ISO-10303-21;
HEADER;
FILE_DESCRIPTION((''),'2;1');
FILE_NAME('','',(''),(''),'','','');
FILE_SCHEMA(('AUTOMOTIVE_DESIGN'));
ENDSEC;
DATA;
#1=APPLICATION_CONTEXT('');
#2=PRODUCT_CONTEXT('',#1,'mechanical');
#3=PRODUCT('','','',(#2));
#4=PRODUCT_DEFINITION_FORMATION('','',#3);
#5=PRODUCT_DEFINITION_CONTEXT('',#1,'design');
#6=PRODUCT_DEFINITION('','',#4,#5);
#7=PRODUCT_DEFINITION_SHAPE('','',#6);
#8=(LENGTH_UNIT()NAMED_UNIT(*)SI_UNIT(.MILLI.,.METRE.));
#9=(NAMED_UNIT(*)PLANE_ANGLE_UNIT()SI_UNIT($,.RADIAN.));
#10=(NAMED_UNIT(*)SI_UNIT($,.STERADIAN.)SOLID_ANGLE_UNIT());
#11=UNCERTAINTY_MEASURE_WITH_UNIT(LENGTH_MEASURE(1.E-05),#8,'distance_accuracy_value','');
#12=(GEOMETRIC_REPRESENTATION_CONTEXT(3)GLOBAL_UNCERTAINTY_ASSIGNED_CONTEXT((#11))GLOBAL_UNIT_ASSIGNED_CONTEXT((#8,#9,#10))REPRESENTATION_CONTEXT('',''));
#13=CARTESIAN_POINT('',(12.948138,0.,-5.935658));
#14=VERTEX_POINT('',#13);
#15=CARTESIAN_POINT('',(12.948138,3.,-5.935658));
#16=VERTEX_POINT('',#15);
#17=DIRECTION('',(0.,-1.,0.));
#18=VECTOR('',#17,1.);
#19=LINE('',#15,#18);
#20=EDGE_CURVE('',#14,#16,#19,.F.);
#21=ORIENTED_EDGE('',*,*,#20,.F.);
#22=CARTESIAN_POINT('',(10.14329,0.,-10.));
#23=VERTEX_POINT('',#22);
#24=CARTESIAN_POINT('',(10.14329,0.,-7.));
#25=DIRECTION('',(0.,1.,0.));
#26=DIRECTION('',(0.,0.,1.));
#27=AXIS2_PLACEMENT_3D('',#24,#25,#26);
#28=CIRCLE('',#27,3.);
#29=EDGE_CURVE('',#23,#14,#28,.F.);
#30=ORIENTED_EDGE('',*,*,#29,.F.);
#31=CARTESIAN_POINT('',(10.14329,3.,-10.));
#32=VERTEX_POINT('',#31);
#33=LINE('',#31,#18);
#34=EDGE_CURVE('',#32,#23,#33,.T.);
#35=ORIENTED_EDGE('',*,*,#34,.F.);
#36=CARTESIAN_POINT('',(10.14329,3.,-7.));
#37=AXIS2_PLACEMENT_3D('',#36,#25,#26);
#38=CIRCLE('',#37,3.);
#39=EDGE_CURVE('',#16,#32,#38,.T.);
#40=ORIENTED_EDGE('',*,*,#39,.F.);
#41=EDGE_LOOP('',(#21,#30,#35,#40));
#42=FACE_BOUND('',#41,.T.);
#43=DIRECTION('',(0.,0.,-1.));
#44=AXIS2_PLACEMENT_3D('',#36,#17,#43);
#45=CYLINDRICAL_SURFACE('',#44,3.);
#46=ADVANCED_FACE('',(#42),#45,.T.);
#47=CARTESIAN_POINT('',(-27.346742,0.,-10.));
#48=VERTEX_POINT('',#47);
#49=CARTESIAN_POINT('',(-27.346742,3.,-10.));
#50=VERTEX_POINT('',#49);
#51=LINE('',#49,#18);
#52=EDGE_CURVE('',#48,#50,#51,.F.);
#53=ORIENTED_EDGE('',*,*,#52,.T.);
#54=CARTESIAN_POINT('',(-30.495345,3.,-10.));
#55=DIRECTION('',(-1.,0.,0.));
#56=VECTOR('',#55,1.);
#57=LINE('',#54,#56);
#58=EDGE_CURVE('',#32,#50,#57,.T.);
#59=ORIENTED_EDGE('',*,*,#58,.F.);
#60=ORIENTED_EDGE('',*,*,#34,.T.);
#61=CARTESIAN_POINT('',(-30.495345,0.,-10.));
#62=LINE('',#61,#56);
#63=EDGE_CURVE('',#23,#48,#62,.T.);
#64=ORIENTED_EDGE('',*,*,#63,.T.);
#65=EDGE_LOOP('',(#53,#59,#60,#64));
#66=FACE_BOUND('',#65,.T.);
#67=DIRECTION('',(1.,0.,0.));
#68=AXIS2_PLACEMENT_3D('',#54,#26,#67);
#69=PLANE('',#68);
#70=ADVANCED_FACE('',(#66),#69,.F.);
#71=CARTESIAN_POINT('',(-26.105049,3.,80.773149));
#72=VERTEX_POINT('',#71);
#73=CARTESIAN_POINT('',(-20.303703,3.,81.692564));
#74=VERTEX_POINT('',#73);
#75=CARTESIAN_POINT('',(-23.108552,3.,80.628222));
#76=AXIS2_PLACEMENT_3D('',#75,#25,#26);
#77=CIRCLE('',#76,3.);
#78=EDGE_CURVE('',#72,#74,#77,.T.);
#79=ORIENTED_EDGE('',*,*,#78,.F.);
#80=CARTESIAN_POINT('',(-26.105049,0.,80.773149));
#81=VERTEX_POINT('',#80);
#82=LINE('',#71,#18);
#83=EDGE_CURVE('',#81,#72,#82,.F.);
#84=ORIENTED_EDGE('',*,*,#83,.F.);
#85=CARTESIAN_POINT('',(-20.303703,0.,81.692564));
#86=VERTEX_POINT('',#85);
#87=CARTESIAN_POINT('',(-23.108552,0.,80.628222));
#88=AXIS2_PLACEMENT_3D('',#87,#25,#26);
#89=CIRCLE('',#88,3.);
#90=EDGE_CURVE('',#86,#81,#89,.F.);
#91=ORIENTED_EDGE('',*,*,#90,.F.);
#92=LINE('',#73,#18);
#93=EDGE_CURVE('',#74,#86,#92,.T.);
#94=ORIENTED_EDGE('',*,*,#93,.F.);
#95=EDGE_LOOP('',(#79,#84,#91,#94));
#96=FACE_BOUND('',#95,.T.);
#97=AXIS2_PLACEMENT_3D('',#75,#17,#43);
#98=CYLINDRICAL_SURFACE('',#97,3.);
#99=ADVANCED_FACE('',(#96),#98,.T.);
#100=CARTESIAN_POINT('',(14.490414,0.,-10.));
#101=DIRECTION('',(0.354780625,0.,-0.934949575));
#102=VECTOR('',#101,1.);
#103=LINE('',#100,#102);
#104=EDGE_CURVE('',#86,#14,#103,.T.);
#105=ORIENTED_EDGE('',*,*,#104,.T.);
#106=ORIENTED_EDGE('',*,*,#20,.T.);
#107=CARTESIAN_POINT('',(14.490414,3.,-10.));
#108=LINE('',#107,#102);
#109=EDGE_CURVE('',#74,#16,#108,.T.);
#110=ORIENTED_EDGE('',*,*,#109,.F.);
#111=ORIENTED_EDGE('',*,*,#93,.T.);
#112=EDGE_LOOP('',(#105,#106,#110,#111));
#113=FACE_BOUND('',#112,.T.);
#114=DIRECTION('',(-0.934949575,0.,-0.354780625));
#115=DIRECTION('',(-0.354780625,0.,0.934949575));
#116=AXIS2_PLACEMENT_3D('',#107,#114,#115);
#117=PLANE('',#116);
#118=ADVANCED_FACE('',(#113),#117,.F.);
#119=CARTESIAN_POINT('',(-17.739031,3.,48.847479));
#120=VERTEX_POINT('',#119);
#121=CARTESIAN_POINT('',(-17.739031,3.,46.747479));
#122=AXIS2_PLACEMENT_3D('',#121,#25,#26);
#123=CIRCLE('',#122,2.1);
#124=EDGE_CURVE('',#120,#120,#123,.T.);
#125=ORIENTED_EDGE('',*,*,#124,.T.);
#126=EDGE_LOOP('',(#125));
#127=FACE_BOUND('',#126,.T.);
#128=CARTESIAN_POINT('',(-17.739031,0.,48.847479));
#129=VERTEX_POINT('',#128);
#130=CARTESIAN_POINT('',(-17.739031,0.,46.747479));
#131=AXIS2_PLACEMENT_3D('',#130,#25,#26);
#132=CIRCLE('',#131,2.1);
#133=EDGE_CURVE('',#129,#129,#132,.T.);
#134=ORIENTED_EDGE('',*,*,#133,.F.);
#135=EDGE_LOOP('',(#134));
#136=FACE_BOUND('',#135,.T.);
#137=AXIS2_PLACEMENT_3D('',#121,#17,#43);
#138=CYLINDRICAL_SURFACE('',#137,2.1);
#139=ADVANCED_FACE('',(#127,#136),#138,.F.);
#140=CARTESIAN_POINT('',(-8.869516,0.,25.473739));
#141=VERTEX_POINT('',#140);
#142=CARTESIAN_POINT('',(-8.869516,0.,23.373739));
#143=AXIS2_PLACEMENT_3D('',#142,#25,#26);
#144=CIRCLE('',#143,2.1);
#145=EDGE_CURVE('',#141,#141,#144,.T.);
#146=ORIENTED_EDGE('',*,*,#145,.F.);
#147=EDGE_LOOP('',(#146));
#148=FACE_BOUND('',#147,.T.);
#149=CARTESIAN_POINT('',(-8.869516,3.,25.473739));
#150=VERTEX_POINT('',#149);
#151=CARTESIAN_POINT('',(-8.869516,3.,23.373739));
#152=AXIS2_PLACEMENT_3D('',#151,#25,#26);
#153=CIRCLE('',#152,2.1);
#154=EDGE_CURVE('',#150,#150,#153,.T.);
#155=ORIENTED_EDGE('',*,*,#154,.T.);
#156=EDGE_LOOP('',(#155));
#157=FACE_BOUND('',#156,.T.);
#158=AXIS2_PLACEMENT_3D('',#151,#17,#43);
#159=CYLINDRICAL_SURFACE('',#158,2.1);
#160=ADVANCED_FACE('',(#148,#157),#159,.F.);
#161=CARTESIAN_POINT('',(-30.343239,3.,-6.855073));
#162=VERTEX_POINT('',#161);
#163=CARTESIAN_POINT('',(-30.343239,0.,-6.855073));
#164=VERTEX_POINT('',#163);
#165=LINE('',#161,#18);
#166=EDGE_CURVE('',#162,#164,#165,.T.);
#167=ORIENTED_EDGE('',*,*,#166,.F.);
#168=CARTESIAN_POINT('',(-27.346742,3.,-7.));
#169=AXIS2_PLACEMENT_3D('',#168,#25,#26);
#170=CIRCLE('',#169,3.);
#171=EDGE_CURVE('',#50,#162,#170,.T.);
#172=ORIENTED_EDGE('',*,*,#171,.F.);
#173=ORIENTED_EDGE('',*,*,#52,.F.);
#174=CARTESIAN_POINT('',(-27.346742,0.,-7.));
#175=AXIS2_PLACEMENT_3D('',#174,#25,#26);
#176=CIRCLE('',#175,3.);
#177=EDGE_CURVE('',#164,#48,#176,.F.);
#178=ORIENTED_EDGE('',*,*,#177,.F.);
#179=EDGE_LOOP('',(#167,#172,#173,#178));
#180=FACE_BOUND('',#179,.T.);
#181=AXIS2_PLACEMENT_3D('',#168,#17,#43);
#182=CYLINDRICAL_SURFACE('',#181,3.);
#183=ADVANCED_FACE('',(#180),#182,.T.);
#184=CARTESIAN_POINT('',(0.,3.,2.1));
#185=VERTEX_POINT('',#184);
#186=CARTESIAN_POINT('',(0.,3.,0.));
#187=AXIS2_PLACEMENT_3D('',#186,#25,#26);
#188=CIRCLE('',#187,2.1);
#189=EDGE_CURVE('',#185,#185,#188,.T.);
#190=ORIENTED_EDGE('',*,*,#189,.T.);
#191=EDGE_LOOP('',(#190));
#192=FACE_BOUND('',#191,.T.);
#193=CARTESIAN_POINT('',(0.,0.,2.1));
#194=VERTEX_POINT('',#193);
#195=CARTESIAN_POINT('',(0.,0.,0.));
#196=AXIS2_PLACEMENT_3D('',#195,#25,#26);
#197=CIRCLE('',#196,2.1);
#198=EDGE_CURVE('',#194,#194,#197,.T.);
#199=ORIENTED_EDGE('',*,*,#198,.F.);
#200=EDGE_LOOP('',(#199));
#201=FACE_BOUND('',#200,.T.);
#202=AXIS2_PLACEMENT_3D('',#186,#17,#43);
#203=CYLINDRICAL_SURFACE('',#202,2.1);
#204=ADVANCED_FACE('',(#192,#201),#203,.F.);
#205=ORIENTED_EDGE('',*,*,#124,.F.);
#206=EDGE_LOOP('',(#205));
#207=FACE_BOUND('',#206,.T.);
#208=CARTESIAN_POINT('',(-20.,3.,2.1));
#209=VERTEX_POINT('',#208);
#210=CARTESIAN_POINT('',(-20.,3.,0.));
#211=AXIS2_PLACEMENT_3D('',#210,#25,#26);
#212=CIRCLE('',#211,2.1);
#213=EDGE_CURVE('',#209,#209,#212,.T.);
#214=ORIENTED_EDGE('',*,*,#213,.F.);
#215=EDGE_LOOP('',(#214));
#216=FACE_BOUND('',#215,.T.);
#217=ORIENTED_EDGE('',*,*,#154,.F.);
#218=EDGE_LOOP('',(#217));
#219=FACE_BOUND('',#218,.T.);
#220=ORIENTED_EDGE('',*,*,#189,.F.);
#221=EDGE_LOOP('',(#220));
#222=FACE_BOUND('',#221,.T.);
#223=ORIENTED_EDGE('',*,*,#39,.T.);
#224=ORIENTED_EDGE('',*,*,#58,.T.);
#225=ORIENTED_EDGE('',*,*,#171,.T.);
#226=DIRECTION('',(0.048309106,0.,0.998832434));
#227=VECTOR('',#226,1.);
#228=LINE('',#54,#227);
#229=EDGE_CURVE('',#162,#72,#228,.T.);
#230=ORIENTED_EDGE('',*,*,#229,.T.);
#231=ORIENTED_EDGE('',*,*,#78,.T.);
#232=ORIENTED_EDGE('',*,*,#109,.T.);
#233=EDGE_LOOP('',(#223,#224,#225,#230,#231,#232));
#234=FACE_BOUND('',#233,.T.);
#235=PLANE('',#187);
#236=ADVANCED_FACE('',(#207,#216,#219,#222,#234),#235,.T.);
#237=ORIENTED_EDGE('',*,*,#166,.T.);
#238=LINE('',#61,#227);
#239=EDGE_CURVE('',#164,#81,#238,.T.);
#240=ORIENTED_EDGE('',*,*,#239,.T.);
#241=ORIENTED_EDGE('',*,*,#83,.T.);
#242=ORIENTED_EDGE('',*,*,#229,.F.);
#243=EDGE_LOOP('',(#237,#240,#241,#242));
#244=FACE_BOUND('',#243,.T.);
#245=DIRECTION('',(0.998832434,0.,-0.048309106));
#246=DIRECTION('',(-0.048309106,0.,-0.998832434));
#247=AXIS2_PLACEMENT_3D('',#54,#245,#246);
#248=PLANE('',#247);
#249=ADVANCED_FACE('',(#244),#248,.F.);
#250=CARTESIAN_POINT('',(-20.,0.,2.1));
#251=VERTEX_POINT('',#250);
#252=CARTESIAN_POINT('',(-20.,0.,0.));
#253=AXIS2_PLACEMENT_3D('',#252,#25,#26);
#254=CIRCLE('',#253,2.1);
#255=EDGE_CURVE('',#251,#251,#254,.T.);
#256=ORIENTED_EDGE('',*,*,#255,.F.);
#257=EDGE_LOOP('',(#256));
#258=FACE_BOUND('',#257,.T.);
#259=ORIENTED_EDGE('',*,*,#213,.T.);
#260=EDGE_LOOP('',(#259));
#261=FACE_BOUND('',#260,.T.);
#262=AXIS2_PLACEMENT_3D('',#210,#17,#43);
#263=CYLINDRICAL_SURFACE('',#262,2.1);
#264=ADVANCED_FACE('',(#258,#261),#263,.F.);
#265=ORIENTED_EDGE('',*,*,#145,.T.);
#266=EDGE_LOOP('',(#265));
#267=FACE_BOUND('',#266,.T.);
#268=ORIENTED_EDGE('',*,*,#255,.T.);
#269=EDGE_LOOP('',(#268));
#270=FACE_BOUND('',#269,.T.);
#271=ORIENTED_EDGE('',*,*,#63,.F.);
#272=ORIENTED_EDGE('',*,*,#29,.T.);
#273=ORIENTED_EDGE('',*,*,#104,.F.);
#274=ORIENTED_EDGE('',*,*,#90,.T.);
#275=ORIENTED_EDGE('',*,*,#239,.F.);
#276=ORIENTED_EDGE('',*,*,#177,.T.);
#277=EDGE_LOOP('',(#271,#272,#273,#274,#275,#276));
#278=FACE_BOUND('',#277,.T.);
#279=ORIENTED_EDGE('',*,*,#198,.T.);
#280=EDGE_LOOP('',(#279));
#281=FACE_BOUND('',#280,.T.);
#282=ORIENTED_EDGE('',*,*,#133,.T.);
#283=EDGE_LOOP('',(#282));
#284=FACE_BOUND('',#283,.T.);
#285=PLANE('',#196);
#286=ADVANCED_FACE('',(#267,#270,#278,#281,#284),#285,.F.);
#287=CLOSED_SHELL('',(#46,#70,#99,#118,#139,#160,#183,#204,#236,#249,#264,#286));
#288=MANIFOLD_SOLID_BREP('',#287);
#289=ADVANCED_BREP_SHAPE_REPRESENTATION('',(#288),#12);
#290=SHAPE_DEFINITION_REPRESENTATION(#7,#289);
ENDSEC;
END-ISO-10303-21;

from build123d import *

# Parameters (mm, degrees)
SKETCH_1_R      = 2.1
EXTRUDE_1_DEPTH = 3
FILLET_1_R      = 3


with BuildPart() as part:
    # 草图1 → 凸台-拉伸1 (new body)
    with BuildSketch(Plane(origin=(0, 0, 0), x_dir=(1, 0, 0), z_dir=(0, 1, 0))):
        Polygon((-30.495345075, 10), (14.490413826, 10), (-25.409775328, -95.148540432), align=None)
        with Locations(Location((0, 0, 0), (0, 0, 270))):
            Circle(SKETCH_1_R, mode=Mode.SUBTRACT)
        with Locations(Location((-20, 0, 0), (0, 0, 270))):
            Circle(SKETCH_1_R, mode=Mode.SUBTRACT)
        with Locations(Location((-8.869515627, -23.373739379, 0), (0, 0, 270))):
            Circle(SKETCH_1_R, mode=Mode.SUBTRACT)
        with Locations(Location((-17.739031253, -46.747478758, 0), (0, 0, 270))):
            Circle(SKETCH_1_R, mode=Mode.SUBTRACT)
    extrude(amount=EXTRUDE_1_DEPTH)

    # 圆角1
    fillet_1_edges = [part.edges().sort_by_distance(p)[0] for p in [
        (-30.495345075, 1.5, -10),
        (14.490413826, 1.5, -10),
        (-25.409775328, 1.5, 95.148540432),
    ]]
    fillet(fillet_1_edges, radius=FILLET_1_R)


solid = part.part
